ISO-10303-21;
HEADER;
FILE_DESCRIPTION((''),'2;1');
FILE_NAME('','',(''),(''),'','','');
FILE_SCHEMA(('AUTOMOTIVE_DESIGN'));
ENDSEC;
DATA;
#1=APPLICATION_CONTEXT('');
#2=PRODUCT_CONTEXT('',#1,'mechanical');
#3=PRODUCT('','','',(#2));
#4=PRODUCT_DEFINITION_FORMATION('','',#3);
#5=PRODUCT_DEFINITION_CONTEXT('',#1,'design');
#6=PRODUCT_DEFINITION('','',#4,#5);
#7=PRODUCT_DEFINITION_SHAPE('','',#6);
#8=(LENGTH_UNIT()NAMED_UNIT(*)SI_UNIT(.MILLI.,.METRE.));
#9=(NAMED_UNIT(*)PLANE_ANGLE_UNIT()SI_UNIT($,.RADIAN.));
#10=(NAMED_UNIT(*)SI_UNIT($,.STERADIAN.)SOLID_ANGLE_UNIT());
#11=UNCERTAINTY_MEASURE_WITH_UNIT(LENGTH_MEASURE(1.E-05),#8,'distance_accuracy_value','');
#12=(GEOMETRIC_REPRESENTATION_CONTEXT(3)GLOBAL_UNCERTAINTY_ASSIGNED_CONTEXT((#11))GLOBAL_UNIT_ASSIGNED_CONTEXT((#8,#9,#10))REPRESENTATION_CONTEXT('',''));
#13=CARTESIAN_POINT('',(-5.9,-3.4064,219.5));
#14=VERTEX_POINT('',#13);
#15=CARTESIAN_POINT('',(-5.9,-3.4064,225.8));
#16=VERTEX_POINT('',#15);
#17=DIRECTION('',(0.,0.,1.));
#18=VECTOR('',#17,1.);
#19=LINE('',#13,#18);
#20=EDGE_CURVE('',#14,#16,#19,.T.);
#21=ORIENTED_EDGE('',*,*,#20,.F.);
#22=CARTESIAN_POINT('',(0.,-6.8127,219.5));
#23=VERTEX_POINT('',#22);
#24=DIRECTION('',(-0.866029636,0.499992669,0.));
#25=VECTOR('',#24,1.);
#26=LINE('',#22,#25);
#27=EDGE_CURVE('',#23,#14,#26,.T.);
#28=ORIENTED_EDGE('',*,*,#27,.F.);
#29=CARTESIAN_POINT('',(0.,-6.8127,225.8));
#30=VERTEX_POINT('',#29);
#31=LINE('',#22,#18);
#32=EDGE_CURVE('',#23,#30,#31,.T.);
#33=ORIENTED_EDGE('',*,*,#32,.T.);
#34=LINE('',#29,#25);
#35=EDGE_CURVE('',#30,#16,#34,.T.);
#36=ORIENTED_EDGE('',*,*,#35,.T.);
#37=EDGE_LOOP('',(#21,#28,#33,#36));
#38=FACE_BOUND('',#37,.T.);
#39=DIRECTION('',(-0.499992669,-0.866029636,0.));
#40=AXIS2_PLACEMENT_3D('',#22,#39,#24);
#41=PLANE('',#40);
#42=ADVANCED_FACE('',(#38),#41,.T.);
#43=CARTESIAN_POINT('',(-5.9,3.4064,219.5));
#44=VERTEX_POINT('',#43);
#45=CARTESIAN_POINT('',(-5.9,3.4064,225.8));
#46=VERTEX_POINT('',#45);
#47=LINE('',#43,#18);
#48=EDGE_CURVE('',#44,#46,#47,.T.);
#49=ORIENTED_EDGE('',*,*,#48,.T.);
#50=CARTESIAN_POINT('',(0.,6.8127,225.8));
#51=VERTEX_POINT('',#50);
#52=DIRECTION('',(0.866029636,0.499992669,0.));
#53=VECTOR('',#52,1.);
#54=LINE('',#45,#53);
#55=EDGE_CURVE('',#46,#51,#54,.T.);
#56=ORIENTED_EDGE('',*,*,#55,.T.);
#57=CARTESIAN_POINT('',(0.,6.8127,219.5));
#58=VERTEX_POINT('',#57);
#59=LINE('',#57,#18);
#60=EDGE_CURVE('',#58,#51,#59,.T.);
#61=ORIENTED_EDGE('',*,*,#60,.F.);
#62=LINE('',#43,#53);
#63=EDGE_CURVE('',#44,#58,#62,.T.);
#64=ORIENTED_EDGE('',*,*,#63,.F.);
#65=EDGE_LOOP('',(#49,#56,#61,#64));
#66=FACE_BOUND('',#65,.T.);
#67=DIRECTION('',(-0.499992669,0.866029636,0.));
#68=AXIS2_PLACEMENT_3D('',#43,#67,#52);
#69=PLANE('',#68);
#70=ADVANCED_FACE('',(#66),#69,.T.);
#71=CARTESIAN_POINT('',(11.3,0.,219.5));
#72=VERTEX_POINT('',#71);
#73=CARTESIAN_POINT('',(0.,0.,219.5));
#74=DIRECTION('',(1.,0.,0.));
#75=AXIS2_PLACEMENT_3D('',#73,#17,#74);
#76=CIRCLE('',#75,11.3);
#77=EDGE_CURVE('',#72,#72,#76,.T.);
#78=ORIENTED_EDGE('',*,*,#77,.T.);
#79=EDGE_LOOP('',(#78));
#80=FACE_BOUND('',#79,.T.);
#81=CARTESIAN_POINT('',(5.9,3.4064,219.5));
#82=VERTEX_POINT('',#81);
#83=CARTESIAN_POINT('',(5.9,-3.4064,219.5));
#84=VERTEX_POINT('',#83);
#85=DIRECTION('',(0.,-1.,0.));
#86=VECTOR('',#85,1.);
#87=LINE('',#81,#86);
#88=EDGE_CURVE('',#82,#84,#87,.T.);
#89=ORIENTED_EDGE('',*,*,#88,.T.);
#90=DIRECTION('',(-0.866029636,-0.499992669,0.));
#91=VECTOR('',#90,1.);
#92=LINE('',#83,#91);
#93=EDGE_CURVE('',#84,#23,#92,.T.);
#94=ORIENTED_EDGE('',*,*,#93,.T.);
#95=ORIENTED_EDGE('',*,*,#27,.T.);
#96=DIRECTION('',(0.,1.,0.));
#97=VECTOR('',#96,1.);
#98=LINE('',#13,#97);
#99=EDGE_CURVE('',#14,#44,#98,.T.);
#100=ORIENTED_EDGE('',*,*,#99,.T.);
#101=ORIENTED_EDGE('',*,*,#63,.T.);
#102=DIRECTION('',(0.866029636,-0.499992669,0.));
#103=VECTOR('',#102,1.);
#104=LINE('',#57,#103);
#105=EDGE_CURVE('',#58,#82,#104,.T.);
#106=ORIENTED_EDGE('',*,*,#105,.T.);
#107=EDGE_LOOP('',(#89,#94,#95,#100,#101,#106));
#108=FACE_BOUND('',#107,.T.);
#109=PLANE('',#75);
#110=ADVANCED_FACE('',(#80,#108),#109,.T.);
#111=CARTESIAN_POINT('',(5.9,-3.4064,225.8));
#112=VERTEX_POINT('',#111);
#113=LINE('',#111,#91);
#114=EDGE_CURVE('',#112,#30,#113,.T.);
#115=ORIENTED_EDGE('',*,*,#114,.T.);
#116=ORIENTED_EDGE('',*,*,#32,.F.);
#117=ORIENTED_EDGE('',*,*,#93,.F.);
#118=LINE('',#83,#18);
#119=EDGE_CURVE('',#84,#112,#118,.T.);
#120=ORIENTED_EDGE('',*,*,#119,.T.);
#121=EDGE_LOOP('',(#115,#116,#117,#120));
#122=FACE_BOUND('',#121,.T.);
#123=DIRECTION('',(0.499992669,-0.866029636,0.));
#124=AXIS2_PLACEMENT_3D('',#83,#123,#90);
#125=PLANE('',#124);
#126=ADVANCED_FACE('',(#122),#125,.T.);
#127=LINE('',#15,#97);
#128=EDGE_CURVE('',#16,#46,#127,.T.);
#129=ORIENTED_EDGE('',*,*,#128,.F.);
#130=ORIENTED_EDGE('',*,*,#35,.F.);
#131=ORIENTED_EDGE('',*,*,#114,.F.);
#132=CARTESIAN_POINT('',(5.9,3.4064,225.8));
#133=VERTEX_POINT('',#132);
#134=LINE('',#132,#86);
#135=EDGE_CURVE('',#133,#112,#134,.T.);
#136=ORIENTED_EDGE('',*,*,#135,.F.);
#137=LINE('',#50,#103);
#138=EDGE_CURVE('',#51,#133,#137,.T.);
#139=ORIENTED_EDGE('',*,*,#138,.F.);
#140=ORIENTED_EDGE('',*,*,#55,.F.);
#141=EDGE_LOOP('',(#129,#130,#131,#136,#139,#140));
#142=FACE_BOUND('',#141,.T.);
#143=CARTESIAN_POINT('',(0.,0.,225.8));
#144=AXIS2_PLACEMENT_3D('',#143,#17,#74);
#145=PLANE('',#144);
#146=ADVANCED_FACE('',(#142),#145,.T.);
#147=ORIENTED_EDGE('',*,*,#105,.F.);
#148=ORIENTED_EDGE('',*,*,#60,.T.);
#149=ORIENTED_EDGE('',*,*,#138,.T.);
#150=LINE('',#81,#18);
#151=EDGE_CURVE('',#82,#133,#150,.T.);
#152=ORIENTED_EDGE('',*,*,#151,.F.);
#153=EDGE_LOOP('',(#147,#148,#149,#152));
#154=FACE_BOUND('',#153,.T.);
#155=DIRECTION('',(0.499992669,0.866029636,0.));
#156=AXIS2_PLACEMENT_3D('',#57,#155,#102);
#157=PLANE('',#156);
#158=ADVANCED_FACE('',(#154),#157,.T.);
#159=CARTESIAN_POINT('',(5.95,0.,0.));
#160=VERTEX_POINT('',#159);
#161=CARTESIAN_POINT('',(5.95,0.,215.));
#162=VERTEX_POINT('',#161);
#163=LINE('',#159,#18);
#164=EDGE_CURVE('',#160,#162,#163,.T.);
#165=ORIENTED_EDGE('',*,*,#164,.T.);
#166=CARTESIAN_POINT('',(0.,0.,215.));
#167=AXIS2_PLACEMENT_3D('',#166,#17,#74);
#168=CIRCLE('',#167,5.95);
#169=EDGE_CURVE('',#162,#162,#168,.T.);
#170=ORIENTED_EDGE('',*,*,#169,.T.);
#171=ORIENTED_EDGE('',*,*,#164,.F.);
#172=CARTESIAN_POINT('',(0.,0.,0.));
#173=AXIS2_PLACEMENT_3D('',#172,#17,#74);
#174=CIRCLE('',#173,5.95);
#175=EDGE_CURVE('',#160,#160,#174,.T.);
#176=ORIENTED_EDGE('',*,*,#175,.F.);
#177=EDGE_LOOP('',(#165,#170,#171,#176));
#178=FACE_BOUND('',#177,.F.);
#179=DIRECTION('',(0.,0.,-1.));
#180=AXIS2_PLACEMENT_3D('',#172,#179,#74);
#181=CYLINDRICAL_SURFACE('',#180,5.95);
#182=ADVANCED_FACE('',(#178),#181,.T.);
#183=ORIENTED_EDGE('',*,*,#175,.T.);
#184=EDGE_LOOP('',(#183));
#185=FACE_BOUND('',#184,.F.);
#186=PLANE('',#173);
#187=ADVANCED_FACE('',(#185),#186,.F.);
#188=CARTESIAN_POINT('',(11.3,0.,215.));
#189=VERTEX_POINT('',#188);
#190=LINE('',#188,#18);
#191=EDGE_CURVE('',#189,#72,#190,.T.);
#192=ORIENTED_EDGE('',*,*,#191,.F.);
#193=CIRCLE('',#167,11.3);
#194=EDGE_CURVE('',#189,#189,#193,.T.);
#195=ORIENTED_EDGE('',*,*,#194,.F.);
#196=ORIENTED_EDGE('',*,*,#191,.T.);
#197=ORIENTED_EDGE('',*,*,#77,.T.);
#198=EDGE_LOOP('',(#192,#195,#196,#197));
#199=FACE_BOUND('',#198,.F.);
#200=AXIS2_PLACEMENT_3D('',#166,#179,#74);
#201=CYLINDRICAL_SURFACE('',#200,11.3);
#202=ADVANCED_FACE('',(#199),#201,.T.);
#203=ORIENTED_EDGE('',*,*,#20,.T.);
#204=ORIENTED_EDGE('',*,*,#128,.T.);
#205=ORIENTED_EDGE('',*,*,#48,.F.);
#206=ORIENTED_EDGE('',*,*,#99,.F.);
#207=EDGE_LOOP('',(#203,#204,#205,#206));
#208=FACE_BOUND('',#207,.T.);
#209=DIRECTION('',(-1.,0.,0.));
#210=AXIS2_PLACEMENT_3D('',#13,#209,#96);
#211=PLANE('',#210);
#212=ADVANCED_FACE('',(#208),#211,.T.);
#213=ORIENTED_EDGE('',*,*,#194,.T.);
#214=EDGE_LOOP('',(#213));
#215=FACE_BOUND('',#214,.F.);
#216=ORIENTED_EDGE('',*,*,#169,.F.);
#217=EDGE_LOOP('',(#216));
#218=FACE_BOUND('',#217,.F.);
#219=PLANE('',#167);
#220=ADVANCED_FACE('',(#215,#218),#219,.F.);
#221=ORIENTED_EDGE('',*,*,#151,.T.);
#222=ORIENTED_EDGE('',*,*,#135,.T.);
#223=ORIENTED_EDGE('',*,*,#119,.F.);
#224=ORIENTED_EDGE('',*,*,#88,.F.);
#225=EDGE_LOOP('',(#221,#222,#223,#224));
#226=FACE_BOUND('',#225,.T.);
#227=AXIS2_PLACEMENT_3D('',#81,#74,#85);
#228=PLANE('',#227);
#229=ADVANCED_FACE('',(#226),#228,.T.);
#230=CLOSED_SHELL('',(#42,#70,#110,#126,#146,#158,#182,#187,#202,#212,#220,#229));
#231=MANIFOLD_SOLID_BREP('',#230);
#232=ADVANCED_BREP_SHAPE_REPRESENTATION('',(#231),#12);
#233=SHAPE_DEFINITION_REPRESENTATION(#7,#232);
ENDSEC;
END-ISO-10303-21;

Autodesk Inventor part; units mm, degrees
ref_plane "YZ Plane" through (0, 0, 0) normal (1, 0, 0) x (0, 1, 0)
ref_plane "XZ Plane" through (0, 0, 0) normal (0, 1, 0) x (-1, 0, 0)
ref_plane "XY Plane" through (0, 0, 0) normal (0, 0, 1) x (1, 0, 0)
sketch "スケッチ1" plane through (0, 0, 0) normal (0, 0, 1) x (1, 0, 0)
  circle A0 centre (0, 0) radius 5.95
  dimension "d0" = 11.9
extrude "押し出し1" add sketch "スケッチ1" along normal blind 215
thread "ねじ1" size "M12x1.75" class "6g" standard "ANSI Metric M Profile" length 22
sketch "スケッチ2" plane through (0, 0, 215) normal (0, 0, 1) x (1, 0, 0)
  circle A0 centre (0, 0) radius 11.3
  dimension "d5" = 22.6
extrude "押し出し2" add sketch "スケッチ2" along normal blind 4.5
sketch "スケッチ3" plane through (0, 0, 219.5) normal (0, 0, 1) x (1, 0, 0)
  circle A0 centre (0, 0) radius 5.9 construction
  line L0 (5.9, -3.4064) -> (0, -6.8127)
  line L1 (0, -6.8127) -> (-5.9, -3.4064)
  line L2 (-5.9, -3.4064) -> (-5.9, 3.4064)
  line L3 (-5.9, 3.4064) -> (0, 6.8127)
  line L4 (0, 6.8127) -> (5.9, 3.4064)
  line L5 (5.9, 3.4064) -> (5.9, -3.4064)
  point P0 (5.9, 0)
  dimension "d8" = 11.8
extrude "押し出し3" add sketch "スケッチ3" along normal blind 6.3
properties part number "後輪シャフト"
